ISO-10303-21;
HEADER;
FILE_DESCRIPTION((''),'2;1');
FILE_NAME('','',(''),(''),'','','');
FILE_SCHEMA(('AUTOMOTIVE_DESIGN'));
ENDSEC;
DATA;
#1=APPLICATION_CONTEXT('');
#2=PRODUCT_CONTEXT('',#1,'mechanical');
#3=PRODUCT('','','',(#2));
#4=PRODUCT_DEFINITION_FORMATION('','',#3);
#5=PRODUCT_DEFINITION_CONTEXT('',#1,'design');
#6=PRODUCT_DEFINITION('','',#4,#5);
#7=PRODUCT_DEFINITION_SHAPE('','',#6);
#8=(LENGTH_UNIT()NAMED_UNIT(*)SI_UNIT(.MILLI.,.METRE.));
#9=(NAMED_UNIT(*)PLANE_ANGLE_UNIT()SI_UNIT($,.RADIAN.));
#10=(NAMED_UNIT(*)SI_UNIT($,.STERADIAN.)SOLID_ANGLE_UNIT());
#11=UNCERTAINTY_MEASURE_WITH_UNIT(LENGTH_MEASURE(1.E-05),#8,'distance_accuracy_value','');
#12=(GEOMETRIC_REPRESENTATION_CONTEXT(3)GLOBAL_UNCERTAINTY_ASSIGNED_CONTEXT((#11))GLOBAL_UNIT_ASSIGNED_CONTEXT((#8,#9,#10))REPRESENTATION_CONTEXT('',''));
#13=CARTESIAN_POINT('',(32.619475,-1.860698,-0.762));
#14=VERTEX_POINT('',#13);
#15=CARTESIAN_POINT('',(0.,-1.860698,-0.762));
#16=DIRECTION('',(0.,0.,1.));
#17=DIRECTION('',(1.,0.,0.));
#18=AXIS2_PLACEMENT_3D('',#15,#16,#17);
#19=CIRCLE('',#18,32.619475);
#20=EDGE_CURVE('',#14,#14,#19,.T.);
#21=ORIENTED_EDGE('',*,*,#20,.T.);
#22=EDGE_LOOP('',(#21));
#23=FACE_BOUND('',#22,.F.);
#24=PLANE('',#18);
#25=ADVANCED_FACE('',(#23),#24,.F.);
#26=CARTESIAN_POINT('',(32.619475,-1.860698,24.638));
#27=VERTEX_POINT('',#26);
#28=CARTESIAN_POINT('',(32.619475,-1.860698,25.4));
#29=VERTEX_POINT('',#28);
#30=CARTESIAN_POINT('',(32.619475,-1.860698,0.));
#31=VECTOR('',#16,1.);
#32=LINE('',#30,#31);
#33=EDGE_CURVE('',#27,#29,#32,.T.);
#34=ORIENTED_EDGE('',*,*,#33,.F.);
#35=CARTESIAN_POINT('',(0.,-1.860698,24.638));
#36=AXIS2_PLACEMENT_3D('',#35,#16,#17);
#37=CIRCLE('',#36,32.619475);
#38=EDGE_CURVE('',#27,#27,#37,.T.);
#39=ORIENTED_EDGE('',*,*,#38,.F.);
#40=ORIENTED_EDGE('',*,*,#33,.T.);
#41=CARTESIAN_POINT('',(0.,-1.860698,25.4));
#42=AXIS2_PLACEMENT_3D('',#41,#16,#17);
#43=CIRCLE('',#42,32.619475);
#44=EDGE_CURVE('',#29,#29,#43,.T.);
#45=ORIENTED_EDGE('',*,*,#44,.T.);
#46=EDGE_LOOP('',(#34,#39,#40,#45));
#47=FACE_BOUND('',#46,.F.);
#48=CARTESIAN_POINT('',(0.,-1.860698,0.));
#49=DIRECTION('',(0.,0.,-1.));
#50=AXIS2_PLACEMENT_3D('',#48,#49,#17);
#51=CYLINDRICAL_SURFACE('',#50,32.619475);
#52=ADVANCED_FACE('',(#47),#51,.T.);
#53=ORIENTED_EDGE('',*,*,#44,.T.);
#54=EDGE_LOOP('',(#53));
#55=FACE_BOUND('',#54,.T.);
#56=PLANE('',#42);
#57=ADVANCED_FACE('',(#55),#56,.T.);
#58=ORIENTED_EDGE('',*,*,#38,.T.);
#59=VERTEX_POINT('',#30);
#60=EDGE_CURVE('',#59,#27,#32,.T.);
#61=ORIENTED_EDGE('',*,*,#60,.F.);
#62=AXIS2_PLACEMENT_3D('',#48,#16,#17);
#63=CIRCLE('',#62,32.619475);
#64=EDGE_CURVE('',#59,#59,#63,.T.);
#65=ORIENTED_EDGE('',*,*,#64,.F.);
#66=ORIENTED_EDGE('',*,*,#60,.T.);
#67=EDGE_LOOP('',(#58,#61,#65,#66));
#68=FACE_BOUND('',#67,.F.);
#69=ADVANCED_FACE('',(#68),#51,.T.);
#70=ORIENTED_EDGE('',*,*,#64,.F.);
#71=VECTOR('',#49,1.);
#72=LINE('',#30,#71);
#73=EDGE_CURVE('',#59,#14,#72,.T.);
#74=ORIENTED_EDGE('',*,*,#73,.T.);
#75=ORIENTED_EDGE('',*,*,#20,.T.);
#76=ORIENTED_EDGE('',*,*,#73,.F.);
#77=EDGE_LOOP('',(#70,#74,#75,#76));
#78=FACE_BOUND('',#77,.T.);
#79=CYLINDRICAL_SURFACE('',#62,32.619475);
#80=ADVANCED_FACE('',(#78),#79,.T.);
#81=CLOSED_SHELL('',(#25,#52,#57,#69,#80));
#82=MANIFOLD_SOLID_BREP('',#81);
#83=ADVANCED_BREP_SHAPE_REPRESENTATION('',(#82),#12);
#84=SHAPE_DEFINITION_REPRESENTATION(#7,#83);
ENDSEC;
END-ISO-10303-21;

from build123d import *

# Parameters (mm, degrees)
F0_R      = 32.619475
F1_DEPTH  = 25.4
F1_FACE_R = 32.619475
F2_DEPTH  = 0.762


with BuildPart() as f1:
    # F0 (on Top) → F1 (new body)
    with BuildSketch(Plane.XY):
        with Locations((0, -1.860698)):
            Circle(F0_R)
    extrude(amount=F1_DEPTH)

    # F0 (on Top) + F1_face (on face) → F2 (join)
    with BuildSketch(Plane.XY):
        with Locations((0, -1.860698)):
            Circle(F0_R)
    with BuildSketch(Plane(origin=(0, -1.860698, 25.4), x_dir=(1, 0, 0), z_dir=(0, 0, 1))):
        Circle(F1_FACE_R)
    extrude(amount=-F2_DEPTH)


solid = f1.part
